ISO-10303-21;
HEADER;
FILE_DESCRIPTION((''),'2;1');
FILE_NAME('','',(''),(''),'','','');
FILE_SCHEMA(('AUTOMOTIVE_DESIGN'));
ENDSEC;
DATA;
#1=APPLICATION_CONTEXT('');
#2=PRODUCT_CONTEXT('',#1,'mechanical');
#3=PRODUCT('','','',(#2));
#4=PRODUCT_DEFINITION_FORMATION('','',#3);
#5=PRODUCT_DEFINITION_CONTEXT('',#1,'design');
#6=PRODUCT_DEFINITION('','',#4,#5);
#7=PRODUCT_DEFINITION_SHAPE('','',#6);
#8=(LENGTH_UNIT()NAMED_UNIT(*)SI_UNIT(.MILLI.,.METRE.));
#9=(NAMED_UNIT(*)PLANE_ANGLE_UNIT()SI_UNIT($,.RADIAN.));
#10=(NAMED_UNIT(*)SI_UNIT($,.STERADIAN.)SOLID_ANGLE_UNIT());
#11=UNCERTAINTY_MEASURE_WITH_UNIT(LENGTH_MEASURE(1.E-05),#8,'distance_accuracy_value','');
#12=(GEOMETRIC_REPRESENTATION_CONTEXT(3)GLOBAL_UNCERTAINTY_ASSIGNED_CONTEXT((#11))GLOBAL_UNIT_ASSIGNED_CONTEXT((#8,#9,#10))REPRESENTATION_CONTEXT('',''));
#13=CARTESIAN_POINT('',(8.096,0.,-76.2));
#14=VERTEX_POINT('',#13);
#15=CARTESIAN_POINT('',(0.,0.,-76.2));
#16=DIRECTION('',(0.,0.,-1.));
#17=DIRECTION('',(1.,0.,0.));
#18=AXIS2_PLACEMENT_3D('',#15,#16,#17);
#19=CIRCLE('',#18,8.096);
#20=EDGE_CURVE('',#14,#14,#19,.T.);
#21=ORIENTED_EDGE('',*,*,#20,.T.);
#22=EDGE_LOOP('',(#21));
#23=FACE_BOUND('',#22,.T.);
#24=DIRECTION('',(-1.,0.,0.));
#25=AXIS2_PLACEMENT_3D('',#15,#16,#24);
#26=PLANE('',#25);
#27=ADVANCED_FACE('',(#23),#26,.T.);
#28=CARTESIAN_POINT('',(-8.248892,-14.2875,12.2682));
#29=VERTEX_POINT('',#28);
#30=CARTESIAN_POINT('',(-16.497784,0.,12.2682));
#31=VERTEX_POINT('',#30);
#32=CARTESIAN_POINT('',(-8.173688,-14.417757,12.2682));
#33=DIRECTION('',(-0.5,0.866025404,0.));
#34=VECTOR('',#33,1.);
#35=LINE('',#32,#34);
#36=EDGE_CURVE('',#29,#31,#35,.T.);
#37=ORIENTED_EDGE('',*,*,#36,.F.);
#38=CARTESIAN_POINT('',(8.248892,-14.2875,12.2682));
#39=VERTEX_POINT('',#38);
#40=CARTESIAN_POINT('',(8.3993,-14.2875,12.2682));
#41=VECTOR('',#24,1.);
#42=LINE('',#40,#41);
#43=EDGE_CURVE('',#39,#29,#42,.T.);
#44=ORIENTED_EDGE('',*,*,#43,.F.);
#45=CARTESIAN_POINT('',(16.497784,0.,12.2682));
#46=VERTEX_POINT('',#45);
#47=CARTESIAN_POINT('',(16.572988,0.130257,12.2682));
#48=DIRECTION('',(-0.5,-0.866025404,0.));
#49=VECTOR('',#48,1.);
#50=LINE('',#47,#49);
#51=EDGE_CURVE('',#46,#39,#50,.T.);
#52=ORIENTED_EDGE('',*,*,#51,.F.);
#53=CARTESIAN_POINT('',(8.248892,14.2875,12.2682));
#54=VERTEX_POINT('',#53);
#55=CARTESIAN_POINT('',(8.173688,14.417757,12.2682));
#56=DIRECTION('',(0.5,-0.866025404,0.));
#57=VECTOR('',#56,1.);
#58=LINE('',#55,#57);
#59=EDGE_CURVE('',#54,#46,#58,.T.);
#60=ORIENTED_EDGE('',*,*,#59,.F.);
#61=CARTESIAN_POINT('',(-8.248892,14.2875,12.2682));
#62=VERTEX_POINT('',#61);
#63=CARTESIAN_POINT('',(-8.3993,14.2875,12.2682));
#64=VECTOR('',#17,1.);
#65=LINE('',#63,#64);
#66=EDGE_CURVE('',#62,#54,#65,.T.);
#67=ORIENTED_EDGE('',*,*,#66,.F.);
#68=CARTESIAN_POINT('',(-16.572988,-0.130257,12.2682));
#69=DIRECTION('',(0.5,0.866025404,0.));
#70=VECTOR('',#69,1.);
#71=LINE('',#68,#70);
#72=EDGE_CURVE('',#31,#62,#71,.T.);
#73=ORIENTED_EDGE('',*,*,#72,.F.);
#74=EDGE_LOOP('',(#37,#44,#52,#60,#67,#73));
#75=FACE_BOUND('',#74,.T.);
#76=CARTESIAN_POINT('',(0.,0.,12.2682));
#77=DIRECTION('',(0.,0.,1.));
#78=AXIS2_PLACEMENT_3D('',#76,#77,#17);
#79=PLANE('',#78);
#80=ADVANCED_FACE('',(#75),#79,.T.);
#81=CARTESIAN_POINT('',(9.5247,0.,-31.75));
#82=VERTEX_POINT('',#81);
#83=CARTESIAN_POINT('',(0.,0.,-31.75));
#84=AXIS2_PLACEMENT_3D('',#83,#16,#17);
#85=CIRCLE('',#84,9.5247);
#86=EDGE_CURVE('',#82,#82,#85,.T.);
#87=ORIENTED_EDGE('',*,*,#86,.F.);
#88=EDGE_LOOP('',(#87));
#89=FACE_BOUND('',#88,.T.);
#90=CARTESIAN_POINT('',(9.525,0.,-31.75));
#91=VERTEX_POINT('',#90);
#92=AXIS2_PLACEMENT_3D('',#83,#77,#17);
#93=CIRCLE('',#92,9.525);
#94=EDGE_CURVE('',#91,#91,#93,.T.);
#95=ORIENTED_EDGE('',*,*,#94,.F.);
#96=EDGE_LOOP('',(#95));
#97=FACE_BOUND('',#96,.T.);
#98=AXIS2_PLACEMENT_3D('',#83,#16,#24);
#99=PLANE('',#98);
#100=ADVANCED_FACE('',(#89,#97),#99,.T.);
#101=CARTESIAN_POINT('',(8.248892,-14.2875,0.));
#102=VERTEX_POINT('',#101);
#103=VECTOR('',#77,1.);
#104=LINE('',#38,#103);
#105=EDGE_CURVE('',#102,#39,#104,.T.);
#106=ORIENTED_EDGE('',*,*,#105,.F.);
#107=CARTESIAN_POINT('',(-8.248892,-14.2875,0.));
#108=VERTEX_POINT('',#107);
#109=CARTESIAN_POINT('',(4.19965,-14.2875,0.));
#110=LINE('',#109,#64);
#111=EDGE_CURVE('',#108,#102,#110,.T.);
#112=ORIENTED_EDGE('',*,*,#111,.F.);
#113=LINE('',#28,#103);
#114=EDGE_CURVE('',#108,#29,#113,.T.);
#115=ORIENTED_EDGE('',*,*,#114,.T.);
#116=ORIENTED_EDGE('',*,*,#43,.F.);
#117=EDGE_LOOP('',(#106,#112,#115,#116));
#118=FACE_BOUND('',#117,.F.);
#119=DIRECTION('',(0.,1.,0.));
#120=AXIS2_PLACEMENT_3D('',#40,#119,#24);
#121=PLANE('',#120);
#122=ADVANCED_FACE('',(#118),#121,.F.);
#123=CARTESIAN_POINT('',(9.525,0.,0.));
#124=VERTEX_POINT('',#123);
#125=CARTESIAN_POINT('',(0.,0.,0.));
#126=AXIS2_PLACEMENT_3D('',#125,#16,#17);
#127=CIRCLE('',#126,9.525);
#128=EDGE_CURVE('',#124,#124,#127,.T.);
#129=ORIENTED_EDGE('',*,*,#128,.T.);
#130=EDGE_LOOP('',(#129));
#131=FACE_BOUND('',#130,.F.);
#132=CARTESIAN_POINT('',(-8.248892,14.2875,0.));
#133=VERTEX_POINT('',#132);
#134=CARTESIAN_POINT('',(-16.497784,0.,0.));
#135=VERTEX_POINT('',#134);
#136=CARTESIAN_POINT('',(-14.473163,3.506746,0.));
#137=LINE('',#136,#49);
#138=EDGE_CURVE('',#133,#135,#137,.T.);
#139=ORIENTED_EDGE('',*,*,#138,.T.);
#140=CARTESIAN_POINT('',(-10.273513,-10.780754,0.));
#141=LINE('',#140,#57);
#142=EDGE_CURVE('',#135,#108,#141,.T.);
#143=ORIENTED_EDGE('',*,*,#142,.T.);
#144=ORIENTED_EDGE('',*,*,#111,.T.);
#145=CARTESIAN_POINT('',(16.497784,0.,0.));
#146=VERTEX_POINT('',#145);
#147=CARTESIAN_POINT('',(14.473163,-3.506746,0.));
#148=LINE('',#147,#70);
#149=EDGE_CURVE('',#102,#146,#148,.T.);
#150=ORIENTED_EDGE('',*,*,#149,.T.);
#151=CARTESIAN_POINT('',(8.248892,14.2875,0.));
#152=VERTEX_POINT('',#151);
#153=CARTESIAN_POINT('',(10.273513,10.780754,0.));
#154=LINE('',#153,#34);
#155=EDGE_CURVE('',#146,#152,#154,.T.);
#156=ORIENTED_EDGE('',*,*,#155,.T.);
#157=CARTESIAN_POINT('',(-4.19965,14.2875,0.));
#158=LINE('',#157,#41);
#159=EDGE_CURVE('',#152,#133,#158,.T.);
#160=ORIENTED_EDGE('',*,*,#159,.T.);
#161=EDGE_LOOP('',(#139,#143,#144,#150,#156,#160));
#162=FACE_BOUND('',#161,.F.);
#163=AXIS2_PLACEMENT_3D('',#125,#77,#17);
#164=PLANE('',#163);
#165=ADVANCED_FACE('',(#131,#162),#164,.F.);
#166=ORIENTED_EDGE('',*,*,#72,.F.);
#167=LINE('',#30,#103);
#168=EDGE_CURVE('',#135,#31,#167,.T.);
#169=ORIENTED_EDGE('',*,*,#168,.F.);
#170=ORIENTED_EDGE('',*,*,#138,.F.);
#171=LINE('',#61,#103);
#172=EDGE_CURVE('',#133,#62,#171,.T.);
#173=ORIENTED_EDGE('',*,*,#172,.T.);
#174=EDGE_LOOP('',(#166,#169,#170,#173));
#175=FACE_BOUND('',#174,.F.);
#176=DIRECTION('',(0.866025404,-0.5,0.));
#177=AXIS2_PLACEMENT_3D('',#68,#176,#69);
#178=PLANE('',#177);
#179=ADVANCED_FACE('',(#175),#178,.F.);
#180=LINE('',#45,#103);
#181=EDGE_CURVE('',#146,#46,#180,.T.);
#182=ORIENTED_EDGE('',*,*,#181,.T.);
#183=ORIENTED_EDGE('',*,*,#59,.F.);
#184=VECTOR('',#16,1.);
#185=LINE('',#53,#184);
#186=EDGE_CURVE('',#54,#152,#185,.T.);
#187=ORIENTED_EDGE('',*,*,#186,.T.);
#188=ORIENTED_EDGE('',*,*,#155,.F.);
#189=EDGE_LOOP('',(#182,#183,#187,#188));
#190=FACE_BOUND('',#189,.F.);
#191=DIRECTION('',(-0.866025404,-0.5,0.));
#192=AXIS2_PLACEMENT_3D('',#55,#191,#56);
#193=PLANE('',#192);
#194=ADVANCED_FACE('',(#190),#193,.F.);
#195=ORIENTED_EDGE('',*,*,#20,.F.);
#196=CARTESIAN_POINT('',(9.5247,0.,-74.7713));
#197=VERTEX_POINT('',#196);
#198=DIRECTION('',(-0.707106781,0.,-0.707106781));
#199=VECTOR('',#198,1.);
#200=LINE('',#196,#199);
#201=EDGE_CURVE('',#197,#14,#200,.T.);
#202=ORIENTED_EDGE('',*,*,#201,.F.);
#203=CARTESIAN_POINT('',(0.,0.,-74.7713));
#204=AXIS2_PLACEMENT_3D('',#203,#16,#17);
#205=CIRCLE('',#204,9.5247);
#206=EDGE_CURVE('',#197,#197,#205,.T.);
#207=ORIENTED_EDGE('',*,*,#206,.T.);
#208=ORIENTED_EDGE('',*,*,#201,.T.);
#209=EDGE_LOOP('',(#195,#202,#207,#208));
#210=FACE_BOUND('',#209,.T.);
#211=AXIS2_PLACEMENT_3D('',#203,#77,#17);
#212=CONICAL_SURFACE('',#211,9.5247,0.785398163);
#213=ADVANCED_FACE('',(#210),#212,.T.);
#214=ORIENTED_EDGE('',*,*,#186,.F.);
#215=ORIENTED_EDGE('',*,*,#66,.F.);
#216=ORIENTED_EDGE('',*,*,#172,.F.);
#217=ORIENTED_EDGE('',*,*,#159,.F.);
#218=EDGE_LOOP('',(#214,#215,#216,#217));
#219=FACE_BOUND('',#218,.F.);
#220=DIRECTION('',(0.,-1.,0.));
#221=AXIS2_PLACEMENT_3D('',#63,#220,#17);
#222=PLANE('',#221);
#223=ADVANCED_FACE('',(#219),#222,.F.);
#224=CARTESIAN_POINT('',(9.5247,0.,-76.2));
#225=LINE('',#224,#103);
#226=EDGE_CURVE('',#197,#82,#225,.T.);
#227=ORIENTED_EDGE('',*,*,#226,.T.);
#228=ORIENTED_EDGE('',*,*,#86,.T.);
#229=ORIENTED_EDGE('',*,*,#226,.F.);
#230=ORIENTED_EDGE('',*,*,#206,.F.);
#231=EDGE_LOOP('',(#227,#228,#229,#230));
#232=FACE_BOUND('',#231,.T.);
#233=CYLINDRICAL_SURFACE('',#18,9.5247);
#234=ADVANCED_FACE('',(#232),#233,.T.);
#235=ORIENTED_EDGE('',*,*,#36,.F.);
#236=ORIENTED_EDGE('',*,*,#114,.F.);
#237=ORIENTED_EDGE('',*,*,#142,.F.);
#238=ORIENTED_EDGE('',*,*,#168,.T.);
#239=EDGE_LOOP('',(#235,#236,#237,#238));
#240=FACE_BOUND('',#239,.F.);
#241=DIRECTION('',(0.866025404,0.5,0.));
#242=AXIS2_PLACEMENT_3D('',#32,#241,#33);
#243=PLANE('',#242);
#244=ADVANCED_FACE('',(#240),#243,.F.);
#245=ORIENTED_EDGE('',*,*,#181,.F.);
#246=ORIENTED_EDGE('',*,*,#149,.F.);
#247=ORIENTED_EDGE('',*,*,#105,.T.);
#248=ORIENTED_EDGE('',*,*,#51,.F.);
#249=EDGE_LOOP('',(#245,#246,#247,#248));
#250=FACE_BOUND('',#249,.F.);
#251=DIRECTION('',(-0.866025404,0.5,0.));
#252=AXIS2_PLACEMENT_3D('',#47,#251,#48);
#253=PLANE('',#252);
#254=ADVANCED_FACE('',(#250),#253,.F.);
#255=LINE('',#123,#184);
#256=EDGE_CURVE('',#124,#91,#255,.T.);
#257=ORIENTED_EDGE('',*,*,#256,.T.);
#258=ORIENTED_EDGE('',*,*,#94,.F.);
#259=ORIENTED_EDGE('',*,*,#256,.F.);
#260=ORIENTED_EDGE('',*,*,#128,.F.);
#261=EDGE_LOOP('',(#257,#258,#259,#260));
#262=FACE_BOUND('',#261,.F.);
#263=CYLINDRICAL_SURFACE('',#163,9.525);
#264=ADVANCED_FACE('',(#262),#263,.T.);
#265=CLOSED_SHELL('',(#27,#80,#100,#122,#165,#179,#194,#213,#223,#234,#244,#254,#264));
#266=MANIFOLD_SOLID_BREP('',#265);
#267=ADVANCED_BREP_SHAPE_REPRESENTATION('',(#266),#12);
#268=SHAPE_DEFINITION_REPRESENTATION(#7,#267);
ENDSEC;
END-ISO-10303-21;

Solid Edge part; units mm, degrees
sketch "Sketch1" plane through (0, 0, 0) normal (0, 0, 1) x (1, 0, 0)
  circle A0 centre (0, 0) radius 16.5735
  dimension "D1" = 33.147
extrude "Protrusion1" add sketch "Sketch1" along normal blind 12.2682
sketch "Sketch2" plane through (0, 0, 0) normal (0, 0, -1) x (1, 0, 0)
  circle A0 centre (0, 0) radius 9.525
extrude "Protrusion2" add sketch "Sketch2" along normal blind 76.2
sketch "Sketch3" plane through (0, 0, -76.2) normal (0, 0, -1) x (1, 0, 0)
  circle A0 centre (0, 0) radius 9.5247
extrude "Cutout1" cut sketch "Sketch3" against normal blind 44.45 flip side to cut
chamfer "Chamfer_1" distance 1.4287 angle 45 1 edges at (-9.5247, 0, -76.2)
sketch "Sketch4" plane through (0, 0, 12.2682) normal (0, 0, 1) x (1, 0, 0)
  line L0 (-8.3993, 14.2875) -> (8.3993, 14.2875)
  dimension "D1" = 28.575
extrude "Cutout2" cut sketch "Sketch4" against normal up to next material side at (0, 14.3375, 12.2682)
pattern_circular "Pattern1" count 6 over 360 about axis through (0, 0, 12.2682) along (0, 0, 1) of "Cutout2"
properties part number "24100047"
